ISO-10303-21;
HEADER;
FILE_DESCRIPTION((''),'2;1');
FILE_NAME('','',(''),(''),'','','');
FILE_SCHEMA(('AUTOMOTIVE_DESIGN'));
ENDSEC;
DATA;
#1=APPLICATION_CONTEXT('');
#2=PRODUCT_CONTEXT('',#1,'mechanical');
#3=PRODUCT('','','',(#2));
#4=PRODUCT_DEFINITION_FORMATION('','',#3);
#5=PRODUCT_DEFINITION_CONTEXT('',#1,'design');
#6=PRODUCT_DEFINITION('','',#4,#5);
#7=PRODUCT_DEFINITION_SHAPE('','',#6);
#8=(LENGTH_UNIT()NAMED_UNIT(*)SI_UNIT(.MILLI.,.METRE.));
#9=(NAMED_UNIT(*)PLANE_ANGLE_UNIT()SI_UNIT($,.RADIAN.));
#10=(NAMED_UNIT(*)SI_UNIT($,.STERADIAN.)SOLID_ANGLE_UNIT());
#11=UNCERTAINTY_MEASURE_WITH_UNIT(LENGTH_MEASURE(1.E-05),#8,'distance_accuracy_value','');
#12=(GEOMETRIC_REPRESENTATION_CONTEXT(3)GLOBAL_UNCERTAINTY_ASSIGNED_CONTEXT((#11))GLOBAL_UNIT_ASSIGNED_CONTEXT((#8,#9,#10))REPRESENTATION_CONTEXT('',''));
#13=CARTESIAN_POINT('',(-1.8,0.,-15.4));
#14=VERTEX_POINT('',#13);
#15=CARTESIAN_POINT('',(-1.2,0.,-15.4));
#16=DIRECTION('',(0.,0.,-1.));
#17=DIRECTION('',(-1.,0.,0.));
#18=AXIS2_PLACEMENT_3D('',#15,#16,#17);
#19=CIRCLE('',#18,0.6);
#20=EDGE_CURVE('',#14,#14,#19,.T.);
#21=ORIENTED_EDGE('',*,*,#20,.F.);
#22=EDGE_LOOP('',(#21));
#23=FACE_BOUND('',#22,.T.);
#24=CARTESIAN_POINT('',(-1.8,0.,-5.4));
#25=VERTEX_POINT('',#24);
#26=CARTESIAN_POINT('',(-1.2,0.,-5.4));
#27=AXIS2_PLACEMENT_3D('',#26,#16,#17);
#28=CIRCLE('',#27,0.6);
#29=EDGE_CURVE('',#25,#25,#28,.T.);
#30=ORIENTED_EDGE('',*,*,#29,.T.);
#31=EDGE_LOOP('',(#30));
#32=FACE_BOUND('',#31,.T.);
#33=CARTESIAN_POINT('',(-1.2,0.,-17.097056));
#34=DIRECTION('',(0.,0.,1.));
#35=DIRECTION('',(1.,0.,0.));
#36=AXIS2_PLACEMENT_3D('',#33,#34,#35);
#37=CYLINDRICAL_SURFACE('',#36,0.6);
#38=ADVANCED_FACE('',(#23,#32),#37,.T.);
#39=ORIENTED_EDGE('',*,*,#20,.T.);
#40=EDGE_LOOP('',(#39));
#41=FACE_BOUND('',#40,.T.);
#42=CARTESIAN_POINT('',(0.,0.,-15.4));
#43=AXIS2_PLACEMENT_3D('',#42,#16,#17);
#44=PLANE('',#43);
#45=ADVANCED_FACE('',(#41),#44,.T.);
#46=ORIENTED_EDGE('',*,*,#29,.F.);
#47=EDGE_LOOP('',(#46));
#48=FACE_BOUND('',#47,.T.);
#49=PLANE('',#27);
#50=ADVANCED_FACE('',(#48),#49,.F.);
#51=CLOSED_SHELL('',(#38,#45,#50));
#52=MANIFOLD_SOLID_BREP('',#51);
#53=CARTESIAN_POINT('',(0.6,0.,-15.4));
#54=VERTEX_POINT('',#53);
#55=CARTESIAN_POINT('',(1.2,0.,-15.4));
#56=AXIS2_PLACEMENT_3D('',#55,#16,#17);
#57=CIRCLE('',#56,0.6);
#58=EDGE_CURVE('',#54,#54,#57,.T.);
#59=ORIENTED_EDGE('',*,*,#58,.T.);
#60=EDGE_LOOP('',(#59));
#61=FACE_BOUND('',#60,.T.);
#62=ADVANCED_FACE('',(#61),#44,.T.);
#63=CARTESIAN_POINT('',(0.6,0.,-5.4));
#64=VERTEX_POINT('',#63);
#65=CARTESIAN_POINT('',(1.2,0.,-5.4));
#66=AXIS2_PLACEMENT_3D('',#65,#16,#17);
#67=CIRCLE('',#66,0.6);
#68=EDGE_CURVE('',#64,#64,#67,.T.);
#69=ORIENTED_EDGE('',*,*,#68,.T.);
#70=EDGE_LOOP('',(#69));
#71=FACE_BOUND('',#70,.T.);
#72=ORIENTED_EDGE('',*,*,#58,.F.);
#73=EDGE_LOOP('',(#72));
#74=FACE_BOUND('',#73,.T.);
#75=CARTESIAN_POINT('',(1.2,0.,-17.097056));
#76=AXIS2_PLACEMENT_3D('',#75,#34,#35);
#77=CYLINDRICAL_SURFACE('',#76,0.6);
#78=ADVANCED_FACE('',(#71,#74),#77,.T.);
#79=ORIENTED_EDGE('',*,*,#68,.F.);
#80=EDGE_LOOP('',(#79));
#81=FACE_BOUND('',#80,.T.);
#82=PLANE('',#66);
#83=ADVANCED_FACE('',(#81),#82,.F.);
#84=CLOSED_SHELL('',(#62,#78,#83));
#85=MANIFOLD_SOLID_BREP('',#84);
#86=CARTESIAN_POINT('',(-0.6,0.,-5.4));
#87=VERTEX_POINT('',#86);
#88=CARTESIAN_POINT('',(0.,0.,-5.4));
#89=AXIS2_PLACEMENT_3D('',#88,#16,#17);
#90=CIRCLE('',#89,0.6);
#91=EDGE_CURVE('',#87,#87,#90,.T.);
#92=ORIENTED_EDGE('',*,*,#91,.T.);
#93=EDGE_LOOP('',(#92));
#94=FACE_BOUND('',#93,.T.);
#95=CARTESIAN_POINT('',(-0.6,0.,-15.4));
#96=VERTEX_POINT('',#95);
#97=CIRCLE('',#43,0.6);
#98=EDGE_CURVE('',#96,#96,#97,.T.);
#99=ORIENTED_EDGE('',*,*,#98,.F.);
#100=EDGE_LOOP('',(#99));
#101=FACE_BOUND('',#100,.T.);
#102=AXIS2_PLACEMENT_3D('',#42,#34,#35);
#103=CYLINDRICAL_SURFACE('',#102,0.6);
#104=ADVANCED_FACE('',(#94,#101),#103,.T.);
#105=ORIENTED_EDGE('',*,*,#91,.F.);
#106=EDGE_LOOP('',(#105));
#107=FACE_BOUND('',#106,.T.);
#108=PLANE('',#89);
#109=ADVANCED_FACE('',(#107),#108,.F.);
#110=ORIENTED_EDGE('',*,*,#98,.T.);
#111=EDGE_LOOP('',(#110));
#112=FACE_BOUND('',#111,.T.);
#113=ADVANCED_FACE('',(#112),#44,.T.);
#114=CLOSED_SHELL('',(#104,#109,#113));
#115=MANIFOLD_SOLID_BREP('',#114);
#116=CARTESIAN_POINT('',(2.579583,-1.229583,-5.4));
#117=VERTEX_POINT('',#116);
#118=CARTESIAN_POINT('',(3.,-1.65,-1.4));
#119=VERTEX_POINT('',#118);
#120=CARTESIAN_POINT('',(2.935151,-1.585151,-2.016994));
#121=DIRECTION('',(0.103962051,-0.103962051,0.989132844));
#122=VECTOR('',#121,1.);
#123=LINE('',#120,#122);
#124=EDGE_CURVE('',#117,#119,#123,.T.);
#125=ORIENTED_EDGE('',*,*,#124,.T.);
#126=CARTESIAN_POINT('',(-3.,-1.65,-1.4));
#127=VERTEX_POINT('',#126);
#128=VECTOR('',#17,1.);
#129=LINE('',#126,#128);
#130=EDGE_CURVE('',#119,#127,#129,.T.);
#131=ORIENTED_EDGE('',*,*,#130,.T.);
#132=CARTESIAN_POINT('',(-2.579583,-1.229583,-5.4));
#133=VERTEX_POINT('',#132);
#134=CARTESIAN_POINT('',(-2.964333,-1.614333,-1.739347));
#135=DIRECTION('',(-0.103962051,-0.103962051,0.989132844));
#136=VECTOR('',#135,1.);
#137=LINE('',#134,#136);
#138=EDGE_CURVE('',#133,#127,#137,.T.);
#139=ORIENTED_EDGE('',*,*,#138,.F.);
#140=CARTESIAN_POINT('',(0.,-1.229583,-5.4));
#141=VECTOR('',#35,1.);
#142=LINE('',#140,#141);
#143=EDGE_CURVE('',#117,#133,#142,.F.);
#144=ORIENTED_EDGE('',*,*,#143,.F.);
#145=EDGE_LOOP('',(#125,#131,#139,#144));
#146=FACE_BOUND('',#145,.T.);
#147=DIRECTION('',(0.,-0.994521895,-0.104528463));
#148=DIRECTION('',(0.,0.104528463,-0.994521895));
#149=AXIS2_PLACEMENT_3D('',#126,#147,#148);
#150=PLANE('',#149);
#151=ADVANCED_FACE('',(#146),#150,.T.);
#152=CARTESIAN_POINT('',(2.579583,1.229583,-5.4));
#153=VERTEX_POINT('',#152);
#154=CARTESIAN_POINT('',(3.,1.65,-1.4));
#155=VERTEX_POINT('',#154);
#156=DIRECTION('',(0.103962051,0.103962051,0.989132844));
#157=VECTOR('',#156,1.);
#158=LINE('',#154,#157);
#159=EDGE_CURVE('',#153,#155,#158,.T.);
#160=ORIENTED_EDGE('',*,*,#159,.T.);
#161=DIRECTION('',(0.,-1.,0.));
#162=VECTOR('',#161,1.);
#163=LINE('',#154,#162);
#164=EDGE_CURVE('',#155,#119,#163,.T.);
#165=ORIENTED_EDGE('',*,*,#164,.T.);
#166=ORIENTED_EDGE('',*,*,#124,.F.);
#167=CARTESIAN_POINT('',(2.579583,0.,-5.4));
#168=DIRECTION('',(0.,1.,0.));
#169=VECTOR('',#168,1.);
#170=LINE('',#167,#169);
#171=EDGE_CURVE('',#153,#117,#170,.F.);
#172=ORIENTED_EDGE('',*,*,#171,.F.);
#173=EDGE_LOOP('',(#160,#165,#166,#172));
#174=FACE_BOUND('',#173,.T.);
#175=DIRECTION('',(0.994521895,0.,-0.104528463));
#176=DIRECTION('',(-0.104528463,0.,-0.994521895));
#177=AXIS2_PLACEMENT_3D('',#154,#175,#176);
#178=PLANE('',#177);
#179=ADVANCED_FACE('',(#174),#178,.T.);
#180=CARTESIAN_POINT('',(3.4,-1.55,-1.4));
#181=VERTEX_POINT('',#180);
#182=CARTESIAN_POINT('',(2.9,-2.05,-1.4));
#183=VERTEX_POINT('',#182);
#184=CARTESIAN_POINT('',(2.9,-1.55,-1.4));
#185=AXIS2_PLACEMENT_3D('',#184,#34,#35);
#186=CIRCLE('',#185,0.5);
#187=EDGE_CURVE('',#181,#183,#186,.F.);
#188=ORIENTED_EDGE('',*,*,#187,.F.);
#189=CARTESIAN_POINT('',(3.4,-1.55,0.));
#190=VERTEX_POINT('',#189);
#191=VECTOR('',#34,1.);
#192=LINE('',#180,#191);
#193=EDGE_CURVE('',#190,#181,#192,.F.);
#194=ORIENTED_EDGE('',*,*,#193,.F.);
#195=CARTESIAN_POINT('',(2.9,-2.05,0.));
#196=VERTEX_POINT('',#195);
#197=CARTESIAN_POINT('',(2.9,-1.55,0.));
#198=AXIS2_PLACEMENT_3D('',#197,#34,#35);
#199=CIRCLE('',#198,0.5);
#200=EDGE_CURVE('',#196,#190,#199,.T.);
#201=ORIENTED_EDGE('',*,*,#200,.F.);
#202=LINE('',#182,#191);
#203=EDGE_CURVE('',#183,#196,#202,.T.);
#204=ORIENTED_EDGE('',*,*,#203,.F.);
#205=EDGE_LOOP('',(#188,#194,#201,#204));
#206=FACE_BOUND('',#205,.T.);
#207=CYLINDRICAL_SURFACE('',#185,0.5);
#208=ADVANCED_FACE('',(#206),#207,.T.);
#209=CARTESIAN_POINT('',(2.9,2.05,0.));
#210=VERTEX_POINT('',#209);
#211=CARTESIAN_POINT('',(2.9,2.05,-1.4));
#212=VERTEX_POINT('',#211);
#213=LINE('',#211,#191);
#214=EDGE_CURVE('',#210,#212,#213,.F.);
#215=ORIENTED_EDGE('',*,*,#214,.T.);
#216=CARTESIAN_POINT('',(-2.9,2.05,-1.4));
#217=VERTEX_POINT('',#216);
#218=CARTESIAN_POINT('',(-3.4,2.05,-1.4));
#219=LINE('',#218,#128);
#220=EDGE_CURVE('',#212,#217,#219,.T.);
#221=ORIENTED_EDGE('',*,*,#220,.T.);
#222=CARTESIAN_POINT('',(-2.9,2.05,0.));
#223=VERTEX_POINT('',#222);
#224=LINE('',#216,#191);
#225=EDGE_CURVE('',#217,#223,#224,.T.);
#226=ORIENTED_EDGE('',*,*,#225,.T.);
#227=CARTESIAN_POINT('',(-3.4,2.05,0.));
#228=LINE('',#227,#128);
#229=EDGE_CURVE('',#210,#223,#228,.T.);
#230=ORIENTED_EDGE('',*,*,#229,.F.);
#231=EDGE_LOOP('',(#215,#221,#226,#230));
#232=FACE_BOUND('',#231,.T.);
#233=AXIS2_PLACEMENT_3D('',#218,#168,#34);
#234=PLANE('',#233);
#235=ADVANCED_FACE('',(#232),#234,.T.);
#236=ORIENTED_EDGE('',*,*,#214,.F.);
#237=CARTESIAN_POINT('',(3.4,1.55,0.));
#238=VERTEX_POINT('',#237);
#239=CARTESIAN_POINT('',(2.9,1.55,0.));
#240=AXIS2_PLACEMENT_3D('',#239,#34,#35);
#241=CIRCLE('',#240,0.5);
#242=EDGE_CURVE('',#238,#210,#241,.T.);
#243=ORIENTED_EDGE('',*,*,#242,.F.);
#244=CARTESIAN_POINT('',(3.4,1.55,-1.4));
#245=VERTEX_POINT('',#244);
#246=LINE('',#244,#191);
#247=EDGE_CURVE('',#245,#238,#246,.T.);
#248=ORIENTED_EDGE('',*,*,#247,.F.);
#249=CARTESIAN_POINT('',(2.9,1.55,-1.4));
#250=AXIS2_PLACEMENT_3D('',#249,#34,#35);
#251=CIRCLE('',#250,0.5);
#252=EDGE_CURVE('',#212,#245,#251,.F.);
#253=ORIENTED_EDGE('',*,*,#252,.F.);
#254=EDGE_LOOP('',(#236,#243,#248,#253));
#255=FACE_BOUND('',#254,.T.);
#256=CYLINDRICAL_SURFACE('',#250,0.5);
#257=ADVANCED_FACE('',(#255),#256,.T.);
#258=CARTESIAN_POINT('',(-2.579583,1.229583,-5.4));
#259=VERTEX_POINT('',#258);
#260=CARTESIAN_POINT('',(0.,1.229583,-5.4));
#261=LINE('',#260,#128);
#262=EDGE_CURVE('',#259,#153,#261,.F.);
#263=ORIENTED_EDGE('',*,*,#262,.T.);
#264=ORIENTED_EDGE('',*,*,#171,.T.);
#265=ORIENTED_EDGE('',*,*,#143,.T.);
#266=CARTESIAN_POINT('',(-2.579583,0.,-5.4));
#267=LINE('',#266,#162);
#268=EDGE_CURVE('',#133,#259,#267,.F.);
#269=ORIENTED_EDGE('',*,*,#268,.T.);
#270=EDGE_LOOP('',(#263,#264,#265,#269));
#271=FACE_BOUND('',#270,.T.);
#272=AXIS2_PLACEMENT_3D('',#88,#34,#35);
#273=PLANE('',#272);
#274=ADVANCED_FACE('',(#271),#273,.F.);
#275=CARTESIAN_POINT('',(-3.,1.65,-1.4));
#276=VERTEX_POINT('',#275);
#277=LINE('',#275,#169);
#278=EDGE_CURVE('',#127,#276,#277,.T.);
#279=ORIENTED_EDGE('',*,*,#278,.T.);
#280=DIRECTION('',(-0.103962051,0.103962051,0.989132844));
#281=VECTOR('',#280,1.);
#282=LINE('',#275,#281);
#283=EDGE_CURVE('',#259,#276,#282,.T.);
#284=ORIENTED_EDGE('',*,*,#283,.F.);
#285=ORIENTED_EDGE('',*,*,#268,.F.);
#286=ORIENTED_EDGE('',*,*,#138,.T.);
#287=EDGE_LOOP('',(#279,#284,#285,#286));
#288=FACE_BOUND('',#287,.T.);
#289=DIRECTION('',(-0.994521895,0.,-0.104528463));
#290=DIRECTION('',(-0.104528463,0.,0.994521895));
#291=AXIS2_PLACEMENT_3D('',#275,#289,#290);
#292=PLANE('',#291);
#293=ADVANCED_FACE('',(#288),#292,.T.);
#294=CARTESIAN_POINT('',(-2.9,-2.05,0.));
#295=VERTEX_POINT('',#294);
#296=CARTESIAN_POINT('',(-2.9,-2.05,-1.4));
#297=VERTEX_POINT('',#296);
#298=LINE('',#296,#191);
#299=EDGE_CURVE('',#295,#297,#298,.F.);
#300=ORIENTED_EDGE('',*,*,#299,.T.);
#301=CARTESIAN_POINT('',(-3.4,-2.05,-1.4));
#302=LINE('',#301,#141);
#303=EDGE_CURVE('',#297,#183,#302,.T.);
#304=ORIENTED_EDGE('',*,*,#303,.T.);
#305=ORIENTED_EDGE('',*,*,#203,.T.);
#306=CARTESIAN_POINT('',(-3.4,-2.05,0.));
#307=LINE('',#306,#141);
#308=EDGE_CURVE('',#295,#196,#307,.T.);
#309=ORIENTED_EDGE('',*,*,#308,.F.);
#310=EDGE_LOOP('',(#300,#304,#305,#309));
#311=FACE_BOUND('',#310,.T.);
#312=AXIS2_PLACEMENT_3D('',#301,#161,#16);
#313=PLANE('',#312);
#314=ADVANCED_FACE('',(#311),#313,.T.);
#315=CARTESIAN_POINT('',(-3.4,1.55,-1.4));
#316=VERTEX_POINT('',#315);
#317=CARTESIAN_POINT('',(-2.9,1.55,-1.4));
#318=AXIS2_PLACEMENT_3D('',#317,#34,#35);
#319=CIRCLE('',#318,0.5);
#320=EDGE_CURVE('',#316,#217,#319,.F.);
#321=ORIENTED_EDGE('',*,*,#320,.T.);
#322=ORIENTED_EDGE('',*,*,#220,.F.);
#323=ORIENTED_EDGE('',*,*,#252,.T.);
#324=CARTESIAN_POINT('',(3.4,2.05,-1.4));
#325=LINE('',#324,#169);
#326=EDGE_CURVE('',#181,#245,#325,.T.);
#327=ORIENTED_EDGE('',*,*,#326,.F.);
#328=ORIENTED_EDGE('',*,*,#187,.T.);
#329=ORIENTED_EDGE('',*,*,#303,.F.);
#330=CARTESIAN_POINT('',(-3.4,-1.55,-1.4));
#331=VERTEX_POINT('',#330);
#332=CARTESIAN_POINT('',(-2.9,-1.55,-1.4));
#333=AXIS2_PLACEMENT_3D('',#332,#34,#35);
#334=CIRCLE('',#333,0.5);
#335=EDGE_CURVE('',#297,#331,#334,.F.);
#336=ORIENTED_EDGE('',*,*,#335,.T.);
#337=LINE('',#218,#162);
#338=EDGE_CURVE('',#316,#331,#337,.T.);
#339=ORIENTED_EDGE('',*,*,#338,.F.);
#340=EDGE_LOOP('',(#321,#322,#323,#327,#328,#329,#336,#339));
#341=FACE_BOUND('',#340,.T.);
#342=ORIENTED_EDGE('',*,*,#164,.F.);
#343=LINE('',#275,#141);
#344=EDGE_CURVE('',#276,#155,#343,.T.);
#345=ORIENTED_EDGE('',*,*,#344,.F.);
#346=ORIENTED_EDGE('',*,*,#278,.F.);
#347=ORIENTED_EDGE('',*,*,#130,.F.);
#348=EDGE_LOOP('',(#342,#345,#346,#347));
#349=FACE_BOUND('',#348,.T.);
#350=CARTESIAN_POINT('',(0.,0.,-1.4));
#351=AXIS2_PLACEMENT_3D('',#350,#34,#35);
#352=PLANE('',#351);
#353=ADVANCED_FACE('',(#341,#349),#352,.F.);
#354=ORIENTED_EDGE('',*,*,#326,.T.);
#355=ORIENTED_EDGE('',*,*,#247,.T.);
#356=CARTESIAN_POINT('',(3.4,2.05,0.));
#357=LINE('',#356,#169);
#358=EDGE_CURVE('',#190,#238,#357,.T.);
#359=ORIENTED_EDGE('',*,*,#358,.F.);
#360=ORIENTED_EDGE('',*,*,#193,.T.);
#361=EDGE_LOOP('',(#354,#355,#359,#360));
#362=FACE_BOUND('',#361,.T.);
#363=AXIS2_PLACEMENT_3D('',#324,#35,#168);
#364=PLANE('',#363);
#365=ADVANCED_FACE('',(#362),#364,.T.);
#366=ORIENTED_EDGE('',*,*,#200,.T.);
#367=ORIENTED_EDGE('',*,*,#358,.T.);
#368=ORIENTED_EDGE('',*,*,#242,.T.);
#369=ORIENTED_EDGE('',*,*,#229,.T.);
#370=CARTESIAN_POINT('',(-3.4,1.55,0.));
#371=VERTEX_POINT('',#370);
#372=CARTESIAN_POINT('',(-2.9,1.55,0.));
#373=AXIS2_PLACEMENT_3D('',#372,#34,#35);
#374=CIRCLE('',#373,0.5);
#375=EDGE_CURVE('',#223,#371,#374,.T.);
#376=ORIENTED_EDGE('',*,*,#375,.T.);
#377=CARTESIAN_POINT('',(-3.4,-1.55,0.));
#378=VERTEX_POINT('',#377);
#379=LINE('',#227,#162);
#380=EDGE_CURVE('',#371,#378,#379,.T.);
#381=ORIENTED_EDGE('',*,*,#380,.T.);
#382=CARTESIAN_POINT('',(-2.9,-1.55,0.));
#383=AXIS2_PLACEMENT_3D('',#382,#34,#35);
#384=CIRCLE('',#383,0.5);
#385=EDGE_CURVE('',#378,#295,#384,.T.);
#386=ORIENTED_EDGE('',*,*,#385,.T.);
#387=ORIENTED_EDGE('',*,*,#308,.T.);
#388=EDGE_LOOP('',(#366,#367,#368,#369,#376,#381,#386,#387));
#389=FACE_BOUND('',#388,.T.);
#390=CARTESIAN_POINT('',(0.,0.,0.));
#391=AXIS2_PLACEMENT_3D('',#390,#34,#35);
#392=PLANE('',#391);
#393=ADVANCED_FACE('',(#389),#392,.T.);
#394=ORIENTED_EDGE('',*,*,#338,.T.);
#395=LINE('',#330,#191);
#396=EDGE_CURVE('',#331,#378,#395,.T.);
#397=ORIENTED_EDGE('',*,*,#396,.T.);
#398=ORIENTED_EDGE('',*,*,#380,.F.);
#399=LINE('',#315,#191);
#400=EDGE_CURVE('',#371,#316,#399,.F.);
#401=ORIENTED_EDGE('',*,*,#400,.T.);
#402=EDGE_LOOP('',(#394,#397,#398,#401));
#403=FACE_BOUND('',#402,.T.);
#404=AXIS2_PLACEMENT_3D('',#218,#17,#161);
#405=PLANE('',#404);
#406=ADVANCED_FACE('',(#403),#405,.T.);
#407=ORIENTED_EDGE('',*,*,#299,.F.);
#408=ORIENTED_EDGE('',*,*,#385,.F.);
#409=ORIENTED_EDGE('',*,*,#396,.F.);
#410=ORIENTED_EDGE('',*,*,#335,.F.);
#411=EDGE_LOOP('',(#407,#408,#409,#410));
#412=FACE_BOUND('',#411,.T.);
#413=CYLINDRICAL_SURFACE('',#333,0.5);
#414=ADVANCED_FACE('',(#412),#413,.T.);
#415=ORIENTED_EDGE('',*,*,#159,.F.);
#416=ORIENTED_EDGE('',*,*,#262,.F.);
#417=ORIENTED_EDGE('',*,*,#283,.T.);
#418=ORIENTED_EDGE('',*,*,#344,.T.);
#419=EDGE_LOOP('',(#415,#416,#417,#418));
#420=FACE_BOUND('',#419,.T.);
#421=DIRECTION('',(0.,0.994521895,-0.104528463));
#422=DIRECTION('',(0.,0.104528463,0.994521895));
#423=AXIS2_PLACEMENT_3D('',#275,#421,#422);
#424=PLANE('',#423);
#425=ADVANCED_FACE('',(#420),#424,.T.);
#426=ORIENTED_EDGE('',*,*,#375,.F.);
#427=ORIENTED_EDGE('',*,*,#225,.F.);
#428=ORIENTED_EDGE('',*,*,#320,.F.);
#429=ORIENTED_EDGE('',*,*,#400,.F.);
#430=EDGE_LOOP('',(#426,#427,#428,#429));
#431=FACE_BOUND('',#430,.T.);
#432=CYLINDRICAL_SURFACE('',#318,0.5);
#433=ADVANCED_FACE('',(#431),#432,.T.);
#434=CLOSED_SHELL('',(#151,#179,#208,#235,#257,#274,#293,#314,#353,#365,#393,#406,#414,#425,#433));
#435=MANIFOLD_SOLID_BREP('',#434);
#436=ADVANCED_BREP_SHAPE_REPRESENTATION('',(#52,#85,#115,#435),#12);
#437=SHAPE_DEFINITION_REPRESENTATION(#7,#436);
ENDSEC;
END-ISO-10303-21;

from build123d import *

# Parameters (mm, degrees)
SKETCH1_W           = 6.8
SKETCH1_H           = 4.1
BOSS_EXTRUDE1_DEPTH = 1.4
SKETCH2_W           = 6
SKETCH2_H           = 3.3
BOSS_EXTRUDE2_DEPTH = 4
BOSS_EXTRUDE2_TAPER = 6
FILLET1_R           = 0.5
SKETCH3_R           = 0.6
POSITIVE_DEPTH      = 10
SKETCH4_R           = 0.6
SIGNAL_DEPTH        = 10
SKETCH5_R           = 0.6
NEGATIVE_DEPTH      = 10


with BuildPart() as part:
    # Sketch1 → Boss-Extrude1 (new body)
    with BuildSketch(Plane.XY):
        Rectangle(SKETCH1_W, SKETCH1_H)
    extrude(amount=-BOSS_EXTRUDE1_DEPTH)

    # Sketch2 → Boss-Extrude2 (add)
    with BuildSketch(Plane(origin=(0, 0, -1.4), x_dir=(-1, 0, 0), z_dir=(0, 0, -1))):
        Rectangle(SKETCH2_W, SKETCH2_H)
    extrude(amount=BOSS_EXTRUDE2_DEPTH, taper=BOSS_EXTRUDE2_TAPER)

    # Fillet1
    fillet1_edges = [part.edges().sort_by_distance(p)[0] for p in [
        (3.4, -2.05, -0.7),
        (-3.4, -2.05, -0.7),
        (-3.4, 2.05, -0.7),
        (3.4, 2.05, -0.7),
    ]]
    fillet(fillet1_edges, radius=FILLET1_R)


with BuildPart() as body_2:
    # Sketch3 → POSITIVE (new body)
    with BuildSketch(Plane(origin=(0, 0, -5.4), x_dir=(-1, 0, 0), z_dir=(0, 0, -1))):
        Circle(SKETCH3_R)
    extrude(amount=POSITIVE_DEPTH)


with BuildPart() as body_3:
    # Sketch4 → SIGNAL (new body)
    with BuildSketch(Plane(origin=(0, 0, -5.4), x_dir=(-1, 0, 0), z_dir=(0, 0, -1))):
        with Locations((1.2, 0)):
            Circle(SKETCH4_R)
    extrude(amount=SIGNAL_DEPTH)


with BuildPart() as body_4:
    # Sketch5 → NEGATIVE (new body)
    with BuildSketch(Plane(origin=(0, 0, -5.4), x_dir=(-1, 0, 0), z_dir=(0, 0, -1))):
        with Locations((-1.2, 0)):
            Circle(SKETCH5_R)
    extrude(amount=NEGATIVE_DEPTH)


solid = Compound([part.part, body_2.part, body_3.part, body_4.part])
